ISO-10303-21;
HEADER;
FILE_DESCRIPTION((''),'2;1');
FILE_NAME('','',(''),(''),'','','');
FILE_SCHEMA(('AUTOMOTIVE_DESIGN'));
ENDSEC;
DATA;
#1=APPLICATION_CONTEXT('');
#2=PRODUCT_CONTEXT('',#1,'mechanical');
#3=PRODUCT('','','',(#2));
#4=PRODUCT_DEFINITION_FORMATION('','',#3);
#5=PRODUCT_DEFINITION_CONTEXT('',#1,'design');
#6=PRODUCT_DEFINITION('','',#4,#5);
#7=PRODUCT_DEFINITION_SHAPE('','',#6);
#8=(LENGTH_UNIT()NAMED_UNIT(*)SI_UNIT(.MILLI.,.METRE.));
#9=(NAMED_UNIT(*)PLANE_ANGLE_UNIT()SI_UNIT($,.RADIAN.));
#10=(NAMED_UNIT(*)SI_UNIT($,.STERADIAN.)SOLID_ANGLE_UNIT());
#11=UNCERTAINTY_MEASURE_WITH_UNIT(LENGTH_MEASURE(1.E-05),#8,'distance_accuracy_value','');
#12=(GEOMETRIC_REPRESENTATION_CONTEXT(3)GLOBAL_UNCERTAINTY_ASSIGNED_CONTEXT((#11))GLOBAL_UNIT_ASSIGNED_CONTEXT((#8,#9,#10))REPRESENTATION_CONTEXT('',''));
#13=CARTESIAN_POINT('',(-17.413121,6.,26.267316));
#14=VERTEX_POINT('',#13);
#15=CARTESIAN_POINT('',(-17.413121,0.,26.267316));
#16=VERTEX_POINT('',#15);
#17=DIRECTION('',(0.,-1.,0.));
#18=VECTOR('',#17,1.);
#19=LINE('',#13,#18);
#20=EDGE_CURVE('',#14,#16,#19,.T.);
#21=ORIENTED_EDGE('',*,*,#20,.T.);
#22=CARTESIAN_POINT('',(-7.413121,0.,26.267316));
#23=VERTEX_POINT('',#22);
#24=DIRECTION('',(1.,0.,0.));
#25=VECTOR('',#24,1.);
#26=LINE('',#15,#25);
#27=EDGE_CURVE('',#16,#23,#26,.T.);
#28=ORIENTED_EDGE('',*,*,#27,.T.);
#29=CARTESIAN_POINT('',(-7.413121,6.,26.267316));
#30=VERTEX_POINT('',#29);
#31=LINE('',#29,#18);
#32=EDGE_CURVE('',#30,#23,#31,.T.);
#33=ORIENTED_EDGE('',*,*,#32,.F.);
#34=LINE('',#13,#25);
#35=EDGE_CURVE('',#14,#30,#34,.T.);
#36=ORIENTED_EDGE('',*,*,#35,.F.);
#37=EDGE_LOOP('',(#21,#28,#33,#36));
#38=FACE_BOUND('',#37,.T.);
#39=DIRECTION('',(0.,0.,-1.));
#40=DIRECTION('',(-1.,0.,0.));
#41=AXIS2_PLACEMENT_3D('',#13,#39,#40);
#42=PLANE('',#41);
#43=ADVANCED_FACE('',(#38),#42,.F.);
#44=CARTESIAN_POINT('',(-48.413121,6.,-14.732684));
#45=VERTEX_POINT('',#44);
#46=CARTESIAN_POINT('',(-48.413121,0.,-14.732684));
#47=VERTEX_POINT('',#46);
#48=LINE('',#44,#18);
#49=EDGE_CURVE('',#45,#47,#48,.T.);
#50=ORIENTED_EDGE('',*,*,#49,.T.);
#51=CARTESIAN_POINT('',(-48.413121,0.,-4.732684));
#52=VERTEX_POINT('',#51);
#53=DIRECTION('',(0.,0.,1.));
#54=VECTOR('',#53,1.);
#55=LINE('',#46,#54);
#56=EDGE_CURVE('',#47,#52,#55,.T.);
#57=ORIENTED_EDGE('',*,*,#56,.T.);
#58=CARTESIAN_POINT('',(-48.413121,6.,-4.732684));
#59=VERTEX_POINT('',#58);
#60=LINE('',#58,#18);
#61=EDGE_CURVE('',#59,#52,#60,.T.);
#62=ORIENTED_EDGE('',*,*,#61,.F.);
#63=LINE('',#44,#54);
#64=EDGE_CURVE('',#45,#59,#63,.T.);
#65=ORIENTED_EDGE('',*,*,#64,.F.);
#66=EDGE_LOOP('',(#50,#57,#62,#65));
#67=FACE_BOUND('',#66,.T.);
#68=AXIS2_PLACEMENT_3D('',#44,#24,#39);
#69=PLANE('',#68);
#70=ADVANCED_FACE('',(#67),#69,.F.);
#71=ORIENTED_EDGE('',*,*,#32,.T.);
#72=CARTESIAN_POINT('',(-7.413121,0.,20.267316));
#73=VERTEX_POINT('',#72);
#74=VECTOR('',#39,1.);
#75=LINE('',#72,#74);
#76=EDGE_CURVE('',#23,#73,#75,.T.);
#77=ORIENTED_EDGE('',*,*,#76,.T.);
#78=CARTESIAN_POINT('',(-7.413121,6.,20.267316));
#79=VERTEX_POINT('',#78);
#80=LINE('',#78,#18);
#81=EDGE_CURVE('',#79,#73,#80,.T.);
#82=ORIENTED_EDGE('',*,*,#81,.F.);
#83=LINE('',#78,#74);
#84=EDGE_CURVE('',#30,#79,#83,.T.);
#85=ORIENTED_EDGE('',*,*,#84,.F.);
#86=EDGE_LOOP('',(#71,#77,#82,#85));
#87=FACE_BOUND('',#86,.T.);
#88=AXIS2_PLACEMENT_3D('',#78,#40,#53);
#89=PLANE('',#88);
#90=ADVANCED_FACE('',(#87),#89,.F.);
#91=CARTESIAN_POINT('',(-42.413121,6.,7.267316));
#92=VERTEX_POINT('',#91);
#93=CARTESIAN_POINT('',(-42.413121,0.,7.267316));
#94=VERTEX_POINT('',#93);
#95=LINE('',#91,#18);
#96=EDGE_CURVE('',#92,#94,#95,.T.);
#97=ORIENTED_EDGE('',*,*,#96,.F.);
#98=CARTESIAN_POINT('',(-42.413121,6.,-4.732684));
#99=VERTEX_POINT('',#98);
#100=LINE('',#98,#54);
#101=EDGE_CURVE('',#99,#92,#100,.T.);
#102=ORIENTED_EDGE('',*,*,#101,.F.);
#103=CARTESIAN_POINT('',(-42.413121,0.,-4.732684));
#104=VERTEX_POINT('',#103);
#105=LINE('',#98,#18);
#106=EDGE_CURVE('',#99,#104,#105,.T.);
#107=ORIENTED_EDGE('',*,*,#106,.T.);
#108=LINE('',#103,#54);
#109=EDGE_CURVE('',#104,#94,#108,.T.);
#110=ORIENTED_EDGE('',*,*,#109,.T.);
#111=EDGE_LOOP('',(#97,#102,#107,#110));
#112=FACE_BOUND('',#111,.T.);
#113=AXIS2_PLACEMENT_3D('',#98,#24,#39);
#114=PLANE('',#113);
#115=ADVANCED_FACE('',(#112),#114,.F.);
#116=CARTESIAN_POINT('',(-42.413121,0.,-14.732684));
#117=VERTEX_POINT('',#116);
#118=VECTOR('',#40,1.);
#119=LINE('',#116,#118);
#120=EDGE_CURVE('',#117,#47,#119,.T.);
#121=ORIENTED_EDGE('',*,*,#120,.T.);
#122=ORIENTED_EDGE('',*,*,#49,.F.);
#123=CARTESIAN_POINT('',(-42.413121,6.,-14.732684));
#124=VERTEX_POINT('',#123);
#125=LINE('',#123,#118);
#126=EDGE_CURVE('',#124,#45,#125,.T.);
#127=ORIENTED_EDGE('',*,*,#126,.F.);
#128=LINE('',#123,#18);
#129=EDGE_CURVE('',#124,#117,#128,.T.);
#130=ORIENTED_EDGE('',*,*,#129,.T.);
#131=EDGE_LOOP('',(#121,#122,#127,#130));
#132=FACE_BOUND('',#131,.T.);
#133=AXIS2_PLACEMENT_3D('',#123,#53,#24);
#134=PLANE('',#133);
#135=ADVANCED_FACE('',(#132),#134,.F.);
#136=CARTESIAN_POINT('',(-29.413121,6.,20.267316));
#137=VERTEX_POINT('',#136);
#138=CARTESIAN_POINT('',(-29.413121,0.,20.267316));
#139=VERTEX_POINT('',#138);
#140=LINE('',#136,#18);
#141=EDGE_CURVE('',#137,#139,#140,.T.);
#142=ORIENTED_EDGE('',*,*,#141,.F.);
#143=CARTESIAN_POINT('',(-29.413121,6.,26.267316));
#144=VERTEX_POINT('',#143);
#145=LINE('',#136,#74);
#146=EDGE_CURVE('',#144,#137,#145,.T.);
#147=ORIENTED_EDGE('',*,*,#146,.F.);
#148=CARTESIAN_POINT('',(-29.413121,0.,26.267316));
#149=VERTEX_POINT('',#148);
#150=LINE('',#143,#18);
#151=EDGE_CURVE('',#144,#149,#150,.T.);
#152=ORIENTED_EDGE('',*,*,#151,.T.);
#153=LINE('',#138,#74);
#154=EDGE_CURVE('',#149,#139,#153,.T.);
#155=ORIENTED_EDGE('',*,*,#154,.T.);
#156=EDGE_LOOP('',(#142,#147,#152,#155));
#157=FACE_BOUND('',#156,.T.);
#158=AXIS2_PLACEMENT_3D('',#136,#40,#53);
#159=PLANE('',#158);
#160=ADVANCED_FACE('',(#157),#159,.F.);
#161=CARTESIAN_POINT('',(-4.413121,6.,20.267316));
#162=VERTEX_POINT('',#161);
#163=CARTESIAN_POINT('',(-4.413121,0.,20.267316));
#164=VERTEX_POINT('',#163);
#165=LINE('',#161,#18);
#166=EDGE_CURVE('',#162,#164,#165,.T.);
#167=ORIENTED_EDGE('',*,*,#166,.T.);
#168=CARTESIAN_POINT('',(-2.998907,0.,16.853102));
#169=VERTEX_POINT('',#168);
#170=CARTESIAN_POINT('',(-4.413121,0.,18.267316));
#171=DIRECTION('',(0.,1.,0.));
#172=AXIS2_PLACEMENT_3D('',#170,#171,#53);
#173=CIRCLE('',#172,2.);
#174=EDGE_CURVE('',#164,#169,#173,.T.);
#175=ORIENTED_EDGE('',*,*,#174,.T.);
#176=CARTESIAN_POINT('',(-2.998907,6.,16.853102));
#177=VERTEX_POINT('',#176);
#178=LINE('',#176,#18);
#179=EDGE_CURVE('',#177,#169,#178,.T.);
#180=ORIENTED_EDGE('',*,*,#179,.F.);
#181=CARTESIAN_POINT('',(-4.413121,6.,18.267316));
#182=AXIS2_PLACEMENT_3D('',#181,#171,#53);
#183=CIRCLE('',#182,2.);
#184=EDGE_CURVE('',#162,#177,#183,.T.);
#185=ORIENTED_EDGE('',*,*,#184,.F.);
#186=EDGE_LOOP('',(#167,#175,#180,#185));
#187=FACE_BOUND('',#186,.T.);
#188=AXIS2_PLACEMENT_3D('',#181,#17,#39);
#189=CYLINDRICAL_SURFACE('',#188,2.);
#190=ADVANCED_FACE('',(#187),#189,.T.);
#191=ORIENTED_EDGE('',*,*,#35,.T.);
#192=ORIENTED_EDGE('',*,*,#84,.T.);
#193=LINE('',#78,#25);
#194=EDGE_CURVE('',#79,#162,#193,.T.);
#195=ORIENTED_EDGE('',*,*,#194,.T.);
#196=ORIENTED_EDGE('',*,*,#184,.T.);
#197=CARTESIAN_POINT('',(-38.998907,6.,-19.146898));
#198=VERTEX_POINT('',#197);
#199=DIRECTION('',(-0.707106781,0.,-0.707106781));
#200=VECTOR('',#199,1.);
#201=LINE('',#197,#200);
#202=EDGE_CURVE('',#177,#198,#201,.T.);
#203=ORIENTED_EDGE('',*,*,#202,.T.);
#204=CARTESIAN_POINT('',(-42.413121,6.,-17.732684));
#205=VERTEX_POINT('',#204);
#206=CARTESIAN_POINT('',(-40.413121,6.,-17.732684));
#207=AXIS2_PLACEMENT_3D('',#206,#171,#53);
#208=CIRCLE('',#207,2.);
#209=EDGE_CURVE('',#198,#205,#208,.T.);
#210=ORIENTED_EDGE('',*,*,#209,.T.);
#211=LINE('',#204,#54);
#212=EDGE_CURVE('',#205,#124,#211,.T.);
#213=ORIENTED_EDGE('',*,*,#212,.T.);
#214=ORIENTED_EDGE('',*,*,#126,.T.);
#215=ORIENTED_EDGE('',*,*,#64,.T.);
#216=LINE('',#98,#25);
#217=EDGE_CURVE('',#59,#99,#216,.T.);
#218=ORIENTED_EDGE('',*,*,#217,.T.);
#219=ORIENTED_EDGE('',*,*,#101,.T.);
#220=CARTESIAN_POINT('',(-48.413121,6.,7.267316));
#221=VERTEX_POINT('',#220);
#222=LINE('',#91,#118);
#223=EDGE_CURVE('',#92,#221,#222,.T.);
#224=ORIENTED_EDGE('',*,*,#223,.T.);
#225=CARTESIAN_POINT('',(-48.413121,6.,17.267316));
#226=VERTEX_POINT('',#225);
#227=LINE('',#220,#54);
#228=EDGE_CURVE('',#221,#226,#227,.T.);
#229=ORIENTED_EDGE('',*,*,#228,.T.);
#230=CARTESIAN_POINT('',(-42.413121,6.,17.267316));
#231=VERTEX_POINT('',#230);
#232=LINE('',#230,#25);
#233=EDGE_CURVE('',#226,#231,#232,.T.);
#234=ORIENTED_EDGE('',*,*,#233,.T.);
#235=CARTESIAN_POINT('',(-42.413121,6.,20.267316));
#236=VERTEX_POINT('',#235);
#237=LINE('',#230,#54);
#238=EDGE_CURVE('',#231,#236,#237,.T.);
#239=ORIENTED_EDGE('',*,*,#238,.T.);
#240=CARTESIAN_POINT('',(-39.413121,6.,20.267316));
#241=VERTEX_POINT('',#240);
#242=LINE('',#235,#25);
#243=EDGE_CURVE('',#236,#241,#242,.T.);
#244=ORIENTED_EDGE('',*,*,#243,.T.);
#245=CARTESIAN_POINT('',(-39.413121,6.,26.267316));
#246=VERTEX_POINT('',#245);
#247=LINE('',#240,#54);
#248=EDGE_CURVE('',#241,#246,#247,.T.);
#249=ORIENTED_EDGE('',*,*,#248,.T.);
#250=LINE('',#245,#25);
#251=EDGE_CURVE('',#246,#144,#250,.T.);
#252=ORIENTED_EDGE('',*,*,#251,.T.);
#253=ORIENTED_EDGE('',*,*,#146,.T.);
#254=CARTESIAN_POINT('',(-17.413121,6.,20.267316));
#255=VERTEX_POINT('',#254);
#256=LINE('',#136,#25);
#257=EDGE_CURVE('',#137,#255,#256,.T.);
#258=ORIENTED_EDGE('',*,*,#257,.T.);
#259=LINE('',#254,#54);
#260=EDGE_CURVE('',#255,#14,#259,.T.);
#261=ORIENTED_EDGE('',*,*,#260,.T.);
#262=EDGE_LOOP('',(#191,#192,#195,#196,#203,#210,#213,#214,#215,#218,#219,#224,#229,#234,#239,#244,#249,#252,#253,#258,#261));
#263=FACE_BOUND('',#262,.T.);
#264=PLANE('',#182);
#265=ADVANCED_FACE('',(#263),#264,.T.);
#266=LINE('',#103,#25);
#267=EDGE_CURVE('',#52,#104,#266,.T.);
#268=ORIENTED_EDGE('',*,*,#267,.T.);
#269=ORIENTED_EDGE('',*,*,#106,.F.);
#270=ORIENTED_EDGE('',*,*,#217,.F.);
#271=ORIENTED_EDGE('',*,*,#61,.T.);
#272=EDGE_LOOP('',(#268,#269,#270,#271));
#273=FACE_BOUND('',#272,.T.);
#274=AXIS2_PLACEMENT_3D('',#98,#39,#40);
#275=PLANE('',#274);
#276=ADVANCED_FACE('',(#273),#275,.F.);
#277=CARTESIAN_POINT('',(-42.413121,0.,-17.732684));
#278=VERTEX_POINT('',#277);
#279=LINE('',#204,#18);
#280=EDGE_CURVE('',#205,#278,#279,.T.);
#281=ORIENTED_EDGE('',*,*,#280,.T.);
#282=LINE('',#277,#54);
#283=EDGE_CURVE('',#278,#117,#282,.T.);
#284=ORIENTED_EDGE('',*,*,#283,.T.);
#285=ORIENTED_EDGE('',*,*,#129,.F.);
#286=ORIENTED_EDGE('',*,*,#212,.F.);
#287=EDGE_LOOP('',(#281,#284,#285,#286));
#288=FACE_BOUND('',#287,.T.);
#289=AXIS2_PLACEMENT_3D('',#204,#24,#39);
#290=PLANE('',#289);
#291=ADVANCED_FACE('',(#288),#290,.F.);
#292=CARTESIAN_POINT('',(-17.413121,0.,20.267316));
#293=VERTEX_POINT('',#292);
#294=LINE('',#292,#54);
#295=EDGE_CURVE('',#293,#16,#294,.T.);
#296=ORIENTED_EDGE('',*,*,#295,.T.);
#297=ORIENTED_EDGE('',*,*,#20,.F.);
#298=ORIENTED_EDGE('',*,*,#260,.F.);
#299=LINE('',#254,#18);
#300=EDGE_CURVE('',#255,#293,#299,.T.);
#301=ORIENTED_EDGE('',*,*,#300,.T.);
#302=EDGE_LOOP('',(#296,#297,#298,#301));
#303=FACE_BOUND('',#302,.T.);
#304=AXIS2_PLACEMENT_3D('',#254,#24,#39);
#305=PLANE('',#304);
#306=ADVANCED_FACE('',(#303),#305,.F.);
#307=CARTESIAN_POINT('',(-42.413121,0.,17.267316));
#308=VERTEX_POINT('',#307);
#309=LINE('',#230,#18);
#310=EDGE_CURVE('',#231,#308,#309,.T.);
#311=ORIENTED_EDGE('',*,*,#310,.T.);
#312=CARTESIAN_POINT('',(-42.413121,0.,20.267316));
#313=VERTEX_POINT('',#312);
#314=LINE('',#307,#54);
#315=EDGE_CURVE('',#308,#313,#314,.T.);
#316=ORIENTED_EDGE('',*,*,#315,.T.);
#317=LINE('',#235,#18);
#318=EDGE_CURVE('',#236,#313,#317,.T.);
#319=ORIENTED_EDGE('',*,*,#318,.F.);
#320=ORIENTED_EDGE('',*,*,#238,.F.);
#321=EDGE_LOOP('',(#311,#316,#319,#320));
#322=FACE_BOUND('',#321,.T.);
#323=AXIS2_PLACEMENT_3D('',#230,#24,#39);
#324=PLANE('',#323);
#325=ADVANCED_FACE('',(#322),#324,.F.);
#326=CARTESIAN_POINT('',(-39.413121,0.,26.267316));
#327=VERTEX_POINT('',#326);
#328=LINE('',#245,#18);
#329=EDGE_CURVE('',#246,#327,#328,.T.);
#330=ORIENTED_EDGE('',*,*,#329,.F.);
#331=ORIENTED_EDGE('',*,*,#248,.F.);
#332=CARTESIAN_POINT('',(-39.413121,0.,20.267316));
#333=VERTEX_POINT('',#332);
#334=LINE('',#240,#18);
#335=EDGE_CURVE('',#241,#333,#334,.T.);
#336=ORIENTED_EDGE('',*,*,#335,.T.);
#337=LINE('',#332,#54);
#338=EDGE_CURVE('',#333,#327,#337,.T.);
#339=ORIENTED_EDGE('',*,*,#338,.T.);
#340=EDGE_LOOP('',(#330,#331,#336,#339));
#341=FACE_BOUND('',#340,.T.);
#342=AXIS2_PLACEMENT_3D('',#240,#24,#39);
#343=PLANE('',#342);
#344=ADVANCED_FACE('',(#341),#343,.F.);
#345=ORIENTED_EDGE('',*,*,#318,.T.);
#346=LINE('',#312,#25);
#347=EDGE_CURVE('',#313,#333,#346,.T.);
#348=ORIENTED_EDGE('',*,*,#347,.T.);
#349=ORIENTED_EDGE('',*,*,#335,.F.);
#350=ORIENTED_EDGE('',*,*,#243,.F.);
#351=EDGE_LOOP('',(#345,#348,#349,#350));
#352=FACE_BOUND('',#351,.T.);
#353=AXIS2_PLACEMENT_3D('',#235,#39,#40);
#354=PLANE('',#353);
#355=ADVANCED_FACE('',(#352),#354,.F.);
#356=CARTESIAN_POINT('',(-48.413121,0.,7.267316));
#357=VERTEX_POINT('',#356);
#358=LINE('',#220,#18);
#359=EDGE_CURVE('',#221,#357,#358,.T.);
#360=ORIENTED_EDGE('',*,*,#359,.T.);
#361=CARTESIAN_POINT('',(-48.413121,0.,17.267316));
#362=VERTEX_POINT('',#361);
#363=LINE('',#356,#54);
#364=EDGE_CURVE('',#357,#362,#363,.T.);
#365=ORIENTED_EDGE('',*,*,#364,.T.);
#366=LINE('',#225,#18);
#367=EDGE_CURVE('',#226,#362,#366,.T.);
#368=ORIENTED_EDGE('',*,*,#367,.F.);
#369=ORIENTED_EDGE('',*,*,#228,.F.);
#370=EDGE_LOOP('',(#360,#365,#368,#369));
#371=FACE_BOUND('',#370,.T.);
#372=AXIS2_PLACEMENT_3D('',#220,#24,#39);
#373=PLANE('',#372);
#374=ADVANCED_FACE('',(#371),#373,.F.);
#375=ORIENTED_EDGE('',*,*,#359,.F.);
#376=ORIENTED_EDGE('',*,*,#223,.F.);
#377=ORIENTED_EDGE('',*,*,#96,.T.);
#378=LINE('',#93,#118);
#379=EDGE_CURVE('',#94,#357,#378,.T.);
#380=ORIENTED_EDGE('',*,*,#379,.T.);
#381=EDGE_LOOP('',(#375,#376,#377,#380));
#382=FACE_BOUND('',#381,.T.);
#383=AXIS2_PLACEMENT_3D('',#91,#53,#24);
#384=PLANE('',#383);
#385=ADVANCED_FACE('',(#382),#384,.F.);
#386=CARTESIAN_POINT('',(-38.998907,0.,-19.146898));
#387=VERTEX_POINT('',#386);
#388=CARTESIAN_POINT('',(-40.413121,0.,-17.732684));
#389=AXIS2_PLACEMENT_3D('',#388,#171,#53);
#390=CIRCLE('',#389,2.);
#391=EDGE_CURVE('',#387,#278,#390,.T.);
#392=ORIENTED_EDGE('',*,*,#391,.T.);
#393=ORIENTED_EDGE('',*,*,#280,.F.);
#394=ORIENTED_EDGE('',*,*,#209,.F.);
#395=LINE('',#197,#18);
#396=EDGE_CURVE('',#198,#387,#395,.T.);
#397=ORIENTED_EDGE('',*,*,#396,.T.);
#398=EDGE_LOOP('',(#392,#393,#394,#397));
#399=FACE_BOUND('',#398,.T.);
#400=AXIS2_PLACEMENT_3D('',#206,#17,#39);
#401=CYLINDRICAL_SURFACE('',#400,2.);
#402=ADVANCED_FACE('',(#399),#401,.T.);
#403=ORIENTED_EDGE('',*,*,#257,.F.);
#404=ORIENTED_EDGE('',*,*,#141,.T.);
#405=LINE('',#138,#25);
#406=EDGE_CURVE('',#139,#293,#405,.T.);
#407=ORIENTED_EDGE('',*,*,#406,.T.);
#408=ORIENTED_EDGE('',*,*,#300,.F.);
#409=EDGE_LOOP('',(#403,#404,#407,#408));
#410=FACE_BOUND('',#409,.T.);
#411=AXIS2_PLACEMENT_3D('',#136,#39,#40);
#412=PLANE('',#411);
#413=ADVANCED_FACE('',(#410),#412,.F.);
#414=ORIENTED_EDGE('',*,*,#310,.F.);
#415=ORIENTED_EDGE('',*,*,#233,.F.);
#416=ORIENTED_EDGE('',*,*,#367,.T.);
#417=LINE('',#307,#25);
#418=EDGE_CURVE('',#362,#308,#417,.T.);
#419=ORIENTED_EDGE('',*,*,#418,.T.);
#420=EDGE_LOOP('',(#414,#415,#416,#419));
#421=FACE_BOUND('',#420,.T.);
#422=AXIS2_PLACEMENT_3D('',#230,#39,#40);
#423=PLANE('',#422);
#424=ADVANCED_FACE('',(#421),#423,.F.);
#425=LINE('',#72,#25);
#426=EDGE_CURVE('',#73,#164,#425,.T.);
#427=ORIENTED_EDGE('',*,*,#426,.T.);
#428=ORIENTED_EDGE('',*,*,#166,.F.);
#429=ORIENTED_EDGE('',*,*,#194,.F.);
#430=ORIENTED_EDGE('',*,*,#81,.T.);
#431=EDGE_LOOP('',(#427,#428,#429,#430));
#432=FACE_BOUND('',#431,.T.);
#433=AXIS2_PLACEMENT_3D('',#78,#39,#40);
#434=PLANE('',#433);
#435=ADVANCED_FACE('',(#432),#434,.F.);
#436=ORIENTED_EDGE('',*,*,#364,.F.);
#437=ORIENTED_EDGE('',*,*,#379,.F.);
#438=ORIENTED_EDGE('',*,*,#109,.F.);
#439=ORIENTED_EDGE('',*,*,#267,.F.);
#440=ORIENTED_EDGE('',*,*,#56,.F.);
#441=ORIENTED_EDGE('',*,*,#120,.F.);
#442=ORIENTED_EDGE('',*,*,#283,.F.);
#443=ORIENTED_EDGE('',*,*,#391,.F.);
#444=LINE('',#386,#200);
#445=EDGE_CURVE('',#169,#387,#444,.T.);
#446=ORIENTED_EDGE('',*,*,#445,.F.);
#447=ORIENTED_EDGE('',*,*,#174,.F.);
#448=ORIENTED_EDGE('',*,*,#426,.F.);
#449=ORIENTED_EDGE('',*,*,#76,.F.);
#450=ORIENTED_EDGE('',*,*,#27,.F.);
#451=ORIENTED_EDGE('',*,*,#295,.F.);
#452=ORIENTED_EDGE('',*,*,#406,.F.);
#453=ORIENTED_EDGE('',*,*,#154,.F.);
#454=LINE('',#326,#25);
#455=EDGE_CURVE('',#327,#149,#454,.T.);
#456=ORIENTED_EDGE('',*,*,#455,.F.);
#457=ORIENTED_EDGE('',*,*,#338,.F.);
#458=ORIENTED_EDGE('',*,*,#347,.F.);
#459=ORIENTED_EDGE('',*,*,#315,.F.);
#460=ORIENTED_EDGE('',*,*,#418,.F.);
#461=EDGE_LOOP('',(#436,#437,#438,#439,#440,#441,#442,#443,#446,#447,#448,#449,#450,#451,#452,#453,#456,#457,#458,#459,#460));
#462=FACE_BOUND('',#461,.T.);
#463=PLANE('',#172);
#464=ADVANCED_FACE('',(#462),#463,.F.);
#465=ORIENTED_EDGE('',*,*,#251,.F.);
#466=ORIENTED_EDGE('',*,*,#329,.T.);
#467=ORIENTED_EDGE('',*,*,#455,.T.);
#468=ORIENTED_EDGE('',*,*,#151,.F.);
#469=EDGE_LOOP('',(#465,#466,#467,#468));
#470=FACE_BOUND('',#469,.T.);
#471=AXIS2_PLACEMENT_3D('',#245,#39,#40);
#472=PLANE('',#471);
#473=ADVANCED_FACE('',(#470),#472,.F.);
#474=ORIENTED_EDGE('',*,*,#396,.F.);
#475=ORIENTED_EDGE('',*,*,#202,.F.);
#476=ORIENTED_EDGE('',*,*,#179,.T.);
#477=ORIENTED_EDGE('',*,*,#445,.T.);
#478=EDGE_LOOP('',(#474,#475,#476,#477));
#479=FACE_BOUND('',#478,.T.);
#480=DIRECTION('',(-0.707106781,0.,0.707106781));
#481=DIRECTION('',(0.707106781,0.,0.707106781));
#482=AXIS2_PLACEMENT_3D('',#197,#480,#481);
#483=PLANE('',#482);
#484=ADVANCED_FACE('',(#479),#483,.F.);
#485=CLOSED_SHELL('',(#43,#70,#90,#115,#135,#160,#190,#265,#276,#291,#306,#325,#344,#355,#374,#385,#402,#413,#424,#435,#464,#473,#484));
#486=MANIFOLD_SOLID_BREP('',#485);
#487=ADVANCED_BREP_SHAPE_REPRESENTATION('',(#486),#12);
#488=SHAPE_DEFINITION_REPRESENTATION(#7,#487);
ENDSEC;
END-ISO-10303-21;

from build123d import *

# Parameters (mm, degrees)
BOSS_EXTRUDE1_DEPTH = 6


with BuildPart() as part:
    # Sketch2 → Boss-Extrude1 (new body)
    with BuildSketch(Plane(origin=(0, 0, 0), x_dir=(1, 0, 0), z_dir=(0, 1, 0))):
        with BuildLine():
            Line((-38.998907426, 19.146898027), (-2.998907426, -16.853101973))
            ThreePointArc((-2.998907426, -16.853101973), (-2.565361924, -19.0326824), (-4.413120989, -20.267315535))
            Line((-4.413120989, -20.267315535), (-7.413120989, -20.267315535))
            Line((-7.413120989, -20.267315535), (-7.413120989, -26.267315535))
            Line((-7.413120989, -26.267315535), (-17.413120989, -26.267315535))
            Line((-17.413120989, -26.267315535), (-17.413120989, -20.267315535))
            Line((-17.413120989, -20.267315535), (-29.413120989, -20.267315535))
            Line((-29.413120989, -20.267315535), (-29.413120989, -26.267315535))
            Line((-29.413120989, -26.267315535), (-39.413120989, -26.267315535))
            Line((-39.413120989, -26.267315535), (-39.413120989, -20.267315535))
            Line((-39.413120989, -20.267315535), (-42.413120989, -20.267315535))
            Line((-42.413120989, -20.267315535), (-42.413120989, -17.267315535))
            Line((-42.413120989, -17.267315535), (-48.413120989, -17.267315535))
            Line((-48.413120989, -17.267315535), (-48.413120989, -7.267315535))
            Line((-48.413120989, -7.267315535), (-42.413120989, -7.267315535))
            Line((-42.413120989, -7.267315535), (-42.413120989, 4.732684465))
            Line((-42.413120989, 4.732684465), (-48.413120989, 4.732684465))
            Line((-48.413120989, 4.732684465), (-48.413120989, 14.732684465))
            Line((-48.413120989, 14.732684465), (-42.413120989, 14.732684465))
            Line((-42.413120989, 14.732684465), (-42.413120989, 17.732684465))
            ThreePointArc((-42.413120989, 17.732684465), (-41.178487854, 19.58044353), (-38.998907426, 19.146898027))
        make_face()
    extrude(amount=BOSS_EXTRUDE1_DEPTH)


solid = part.part
